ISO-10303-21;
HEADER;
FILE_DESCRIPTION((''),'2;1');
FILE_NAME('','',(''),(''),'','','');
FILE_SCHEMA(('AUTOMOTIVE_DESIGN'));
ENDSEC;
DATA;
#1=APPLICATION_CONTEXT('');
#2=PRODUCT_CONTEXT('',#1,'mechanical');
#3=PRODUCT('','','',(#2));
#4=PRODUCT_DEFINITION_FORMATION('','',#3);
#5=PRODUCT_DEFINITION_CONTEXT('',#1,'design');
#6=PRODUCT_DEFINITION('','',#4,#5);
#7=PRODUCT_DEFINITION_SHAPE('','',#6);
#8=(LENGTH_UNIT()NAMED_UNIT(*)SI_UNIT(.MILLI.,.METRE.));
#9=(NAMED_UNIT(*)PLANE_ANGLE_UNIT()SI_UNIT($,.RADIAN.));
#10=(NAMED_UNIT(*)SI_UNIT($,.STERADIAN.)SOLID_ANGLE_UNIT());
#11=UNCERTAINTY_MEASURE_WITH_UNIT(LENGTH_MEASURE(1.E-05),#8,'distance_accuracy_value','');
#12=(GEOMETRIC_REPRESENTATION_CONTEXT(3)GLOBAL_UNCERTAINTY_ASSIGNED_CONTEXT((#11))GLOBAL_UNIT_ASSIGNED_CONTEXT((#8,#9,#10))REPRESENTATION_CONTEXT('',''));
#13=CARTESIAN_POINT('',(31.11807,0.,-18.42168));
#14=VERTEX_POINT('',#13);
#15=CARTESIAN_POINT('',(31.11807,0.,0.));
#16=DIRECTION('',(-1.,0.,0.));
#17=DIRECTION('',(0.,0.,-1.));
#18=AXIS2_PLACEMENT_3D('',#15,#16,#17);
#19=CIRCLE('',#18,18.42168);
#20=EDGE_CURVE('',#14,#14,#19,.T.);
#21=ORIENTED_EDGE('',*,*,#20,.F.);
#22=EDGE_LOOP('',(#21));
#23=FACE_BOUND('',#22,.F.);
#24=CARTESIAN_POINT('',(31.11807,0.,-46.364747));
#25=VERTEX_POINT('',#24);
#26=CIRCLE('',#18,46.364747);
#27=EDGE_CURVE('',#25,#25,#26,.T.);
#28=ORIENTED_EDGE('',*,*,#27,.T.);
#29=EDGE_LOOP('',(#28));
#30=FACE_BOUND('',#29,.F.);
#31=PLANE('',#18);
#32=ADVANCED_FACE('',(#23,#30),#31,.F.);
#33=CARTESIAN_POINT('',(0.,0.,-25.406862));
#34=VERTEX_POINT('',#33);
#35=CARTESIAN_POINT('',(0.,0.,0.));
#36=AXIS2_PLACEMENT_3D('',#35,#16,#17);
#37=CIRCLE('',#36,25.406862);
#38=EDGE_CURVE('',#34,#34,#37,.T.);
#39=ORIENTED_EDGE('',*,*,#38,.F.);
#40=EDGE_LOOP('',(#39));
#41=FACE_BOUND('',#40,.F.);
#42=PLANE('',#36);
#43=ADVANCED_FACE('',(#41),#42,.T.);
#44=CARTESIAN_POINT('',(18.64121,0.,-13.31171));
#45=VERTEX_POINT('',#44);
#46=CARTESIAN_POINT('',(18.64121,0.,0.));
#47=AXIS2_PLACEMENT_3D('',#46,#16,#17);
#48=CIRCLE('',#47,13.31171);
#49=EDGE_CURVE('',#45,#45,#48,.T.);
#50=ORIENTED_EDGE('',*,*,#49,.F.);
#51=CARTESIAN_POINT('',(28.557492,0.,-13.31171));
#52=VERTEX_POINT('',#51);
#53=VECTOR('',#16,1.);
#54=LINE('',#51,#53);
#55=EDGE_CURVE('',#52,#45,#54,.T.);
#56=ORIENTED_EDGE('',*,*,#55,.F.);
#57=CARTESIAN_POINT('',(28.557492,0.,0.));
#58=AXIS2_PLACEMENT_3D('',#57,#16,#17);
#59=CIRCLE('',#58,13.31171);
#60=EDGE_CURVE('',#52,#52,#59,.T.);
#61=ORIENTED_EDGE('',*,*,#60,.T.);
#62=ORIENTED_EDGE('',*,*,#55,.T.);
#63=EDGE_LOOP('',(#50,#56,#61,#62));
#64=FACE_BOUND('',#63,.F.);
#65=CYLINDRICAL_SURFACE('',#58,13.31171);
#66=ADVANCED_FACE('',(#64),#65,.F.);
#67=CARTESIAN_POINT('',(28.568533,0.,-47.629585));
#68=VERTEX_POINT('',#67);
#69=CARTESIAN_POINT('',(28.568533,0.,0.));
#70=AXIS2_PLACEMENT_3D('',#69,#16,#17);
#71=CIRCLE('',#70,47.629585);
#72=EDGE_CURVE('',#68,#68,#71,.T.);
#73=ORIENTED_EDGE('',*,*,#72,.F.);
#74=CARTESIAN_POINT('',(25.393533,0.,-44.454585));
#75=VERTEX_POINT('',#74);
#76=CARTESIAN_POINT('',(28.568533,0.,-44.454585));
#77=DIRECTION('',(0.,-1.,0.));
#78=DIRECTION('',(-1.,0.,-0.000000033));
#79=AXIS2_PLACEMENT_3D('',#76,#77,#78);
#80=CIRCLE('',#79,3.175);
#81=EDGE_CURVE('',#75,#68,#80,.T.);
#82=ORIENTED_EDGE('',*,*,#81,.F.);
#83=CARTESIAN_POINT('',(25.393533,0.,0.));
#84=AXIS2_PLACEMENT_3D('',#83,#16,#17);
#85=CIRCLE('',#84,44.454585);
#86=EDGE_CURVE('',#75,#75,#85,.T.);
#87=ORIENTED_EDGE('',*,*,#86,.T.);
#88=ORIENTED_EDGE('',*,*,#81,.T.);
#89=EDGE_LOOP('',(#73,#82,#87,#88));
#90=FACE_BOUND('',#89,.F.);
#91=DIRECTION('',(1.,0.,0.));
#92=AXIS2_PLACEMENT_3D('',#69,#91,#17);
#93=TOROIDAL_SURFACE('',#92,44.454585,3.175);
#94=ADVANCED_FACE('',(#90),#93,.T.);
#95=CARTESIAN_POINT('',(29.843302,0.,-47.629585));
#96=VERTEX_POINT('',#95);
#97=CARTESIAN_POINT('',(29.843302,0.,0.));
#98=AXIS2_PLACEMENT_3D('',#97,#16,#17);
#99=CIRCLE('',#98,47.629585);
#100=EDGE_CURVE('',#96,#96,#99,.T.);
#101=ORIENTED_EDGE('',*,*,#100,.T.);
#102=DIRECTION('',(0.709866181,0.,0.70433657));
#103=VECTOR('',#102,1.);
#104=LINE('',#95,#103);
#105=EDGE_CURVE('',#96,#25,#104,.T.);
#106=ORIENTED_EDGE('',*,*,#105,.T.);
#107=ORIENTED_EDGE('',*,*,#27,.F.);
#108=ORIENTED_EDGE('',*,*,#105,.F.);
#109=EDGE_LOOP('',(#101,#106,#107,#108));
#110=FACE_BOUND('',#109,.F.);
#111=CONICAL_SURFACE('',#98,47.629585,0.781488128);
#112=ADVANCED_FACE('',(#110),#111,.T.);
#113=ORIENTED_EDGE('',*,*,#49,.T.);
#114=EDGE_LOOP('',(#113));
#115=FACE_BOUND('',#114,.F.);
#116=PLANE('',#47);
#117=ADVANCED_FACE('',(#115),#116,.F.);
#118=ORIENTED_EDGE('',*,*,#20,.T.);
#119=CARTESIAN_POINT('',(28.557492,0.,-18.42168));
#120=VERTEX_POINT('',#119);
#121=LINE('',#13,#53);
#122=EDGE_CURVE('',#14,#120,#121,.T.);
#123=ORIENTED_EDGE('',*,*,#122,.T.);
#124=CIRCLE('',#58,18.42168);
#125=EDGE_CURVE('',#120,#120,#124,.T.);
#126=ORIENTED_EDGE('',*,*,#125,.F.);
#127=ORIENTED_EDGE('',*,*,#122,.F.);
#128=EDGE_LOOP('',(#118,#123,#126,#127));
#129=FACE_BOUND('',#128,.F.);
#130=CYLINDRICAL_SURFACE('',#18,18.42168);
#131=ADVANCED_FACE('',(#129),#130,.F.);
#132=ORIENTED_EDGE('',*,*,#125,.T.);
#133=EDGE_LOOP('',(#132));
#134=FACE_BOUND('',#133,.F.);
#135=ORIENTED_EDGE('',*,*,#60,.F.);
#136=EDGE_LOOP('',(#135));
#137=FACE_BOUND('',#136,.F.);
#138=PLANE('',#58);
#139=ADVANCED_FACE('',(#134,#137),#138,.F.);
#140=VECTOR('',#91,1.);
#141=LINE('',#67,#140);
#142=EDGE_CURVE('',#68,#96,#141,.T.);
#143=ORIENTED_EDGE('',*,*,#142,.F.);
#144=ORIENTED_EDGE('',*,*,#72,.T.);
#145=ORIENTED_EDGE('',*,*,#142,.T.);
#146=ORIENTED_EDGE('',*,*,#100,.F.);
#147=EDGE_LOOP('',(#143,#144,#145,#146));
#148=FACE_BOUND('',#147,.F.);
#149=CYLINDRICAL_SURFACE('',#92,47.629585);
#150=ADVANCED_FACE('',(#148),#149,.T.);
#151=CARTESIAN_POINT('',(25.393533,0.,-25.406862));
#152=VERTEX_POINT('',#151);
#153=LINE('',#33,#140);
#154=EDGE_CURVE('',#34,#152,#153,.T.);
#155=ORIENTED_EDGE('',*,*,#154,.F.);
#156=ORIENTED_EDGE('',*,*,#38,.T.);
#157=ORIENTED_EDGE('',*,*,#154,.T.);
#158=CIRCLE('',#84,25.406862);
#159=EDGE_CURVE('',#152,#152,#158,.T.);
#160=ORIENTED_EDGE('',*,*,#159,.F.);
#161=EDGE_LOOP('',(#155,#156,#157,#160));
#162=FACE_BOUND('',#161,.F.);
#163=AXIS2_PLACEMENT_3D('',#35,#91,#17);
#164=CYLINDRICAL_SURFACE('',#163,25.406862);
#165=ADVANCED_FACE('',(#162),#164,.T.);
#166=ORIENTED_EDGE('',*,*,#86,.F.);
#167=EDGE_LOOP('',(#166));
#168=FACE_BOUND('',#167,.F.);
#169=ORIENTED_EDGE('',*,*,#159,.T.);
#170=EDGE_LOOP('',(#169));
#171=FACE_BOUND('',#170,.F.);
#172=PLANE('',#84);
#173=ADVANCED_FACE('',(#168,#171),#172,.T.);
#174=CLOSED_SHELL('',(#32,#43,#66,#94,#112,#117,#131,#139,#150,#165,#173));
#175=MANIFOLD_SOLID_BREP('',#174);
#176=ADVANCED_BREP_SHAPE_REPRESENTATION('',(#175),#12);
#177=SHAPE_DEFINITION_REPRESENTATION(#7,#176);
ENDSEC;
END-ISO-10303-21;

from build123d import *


with BuildPart() as f1:
    # F0 (on Front) → F1 (revolve)
    with BuildSketch(Plane.XZ):
        with BuildLine():
            Line((18.64121, 0), (0, 0))
            Line((0, 0), (0, -25.406862))
            Line((0, -25.406862), (25.393533, -25.406862))
            Line((25.393533, -25.406862), (25.393533, -44.454585))
            ThreePointArc((25.393533, -44.454585), (26.323469, -46.699649), (28.568533, -47.629585))
            Line((28.568533, -47.629585), (29.843302, -47.629585))
            Line((29.843302, -47.629585), (31.11807, -46.364747))
            Line((31.11807, -46.364747), (31.11807, -18.42168))
            Line((31.11807, -18.42168), (28.557492, -18.42168))
            Line((28.557492, -18.42168), (28.557492, -13.31171))
            Line((28.557492, -13.31171), (18.64121, -13.31171))
            Line((18.64121, -13.31171), (18.64121, 0))
        make_face()
    revolve(axis=Axis((9.320605, 0, 0), (-1, 0, 0)))


solid = f1.part
